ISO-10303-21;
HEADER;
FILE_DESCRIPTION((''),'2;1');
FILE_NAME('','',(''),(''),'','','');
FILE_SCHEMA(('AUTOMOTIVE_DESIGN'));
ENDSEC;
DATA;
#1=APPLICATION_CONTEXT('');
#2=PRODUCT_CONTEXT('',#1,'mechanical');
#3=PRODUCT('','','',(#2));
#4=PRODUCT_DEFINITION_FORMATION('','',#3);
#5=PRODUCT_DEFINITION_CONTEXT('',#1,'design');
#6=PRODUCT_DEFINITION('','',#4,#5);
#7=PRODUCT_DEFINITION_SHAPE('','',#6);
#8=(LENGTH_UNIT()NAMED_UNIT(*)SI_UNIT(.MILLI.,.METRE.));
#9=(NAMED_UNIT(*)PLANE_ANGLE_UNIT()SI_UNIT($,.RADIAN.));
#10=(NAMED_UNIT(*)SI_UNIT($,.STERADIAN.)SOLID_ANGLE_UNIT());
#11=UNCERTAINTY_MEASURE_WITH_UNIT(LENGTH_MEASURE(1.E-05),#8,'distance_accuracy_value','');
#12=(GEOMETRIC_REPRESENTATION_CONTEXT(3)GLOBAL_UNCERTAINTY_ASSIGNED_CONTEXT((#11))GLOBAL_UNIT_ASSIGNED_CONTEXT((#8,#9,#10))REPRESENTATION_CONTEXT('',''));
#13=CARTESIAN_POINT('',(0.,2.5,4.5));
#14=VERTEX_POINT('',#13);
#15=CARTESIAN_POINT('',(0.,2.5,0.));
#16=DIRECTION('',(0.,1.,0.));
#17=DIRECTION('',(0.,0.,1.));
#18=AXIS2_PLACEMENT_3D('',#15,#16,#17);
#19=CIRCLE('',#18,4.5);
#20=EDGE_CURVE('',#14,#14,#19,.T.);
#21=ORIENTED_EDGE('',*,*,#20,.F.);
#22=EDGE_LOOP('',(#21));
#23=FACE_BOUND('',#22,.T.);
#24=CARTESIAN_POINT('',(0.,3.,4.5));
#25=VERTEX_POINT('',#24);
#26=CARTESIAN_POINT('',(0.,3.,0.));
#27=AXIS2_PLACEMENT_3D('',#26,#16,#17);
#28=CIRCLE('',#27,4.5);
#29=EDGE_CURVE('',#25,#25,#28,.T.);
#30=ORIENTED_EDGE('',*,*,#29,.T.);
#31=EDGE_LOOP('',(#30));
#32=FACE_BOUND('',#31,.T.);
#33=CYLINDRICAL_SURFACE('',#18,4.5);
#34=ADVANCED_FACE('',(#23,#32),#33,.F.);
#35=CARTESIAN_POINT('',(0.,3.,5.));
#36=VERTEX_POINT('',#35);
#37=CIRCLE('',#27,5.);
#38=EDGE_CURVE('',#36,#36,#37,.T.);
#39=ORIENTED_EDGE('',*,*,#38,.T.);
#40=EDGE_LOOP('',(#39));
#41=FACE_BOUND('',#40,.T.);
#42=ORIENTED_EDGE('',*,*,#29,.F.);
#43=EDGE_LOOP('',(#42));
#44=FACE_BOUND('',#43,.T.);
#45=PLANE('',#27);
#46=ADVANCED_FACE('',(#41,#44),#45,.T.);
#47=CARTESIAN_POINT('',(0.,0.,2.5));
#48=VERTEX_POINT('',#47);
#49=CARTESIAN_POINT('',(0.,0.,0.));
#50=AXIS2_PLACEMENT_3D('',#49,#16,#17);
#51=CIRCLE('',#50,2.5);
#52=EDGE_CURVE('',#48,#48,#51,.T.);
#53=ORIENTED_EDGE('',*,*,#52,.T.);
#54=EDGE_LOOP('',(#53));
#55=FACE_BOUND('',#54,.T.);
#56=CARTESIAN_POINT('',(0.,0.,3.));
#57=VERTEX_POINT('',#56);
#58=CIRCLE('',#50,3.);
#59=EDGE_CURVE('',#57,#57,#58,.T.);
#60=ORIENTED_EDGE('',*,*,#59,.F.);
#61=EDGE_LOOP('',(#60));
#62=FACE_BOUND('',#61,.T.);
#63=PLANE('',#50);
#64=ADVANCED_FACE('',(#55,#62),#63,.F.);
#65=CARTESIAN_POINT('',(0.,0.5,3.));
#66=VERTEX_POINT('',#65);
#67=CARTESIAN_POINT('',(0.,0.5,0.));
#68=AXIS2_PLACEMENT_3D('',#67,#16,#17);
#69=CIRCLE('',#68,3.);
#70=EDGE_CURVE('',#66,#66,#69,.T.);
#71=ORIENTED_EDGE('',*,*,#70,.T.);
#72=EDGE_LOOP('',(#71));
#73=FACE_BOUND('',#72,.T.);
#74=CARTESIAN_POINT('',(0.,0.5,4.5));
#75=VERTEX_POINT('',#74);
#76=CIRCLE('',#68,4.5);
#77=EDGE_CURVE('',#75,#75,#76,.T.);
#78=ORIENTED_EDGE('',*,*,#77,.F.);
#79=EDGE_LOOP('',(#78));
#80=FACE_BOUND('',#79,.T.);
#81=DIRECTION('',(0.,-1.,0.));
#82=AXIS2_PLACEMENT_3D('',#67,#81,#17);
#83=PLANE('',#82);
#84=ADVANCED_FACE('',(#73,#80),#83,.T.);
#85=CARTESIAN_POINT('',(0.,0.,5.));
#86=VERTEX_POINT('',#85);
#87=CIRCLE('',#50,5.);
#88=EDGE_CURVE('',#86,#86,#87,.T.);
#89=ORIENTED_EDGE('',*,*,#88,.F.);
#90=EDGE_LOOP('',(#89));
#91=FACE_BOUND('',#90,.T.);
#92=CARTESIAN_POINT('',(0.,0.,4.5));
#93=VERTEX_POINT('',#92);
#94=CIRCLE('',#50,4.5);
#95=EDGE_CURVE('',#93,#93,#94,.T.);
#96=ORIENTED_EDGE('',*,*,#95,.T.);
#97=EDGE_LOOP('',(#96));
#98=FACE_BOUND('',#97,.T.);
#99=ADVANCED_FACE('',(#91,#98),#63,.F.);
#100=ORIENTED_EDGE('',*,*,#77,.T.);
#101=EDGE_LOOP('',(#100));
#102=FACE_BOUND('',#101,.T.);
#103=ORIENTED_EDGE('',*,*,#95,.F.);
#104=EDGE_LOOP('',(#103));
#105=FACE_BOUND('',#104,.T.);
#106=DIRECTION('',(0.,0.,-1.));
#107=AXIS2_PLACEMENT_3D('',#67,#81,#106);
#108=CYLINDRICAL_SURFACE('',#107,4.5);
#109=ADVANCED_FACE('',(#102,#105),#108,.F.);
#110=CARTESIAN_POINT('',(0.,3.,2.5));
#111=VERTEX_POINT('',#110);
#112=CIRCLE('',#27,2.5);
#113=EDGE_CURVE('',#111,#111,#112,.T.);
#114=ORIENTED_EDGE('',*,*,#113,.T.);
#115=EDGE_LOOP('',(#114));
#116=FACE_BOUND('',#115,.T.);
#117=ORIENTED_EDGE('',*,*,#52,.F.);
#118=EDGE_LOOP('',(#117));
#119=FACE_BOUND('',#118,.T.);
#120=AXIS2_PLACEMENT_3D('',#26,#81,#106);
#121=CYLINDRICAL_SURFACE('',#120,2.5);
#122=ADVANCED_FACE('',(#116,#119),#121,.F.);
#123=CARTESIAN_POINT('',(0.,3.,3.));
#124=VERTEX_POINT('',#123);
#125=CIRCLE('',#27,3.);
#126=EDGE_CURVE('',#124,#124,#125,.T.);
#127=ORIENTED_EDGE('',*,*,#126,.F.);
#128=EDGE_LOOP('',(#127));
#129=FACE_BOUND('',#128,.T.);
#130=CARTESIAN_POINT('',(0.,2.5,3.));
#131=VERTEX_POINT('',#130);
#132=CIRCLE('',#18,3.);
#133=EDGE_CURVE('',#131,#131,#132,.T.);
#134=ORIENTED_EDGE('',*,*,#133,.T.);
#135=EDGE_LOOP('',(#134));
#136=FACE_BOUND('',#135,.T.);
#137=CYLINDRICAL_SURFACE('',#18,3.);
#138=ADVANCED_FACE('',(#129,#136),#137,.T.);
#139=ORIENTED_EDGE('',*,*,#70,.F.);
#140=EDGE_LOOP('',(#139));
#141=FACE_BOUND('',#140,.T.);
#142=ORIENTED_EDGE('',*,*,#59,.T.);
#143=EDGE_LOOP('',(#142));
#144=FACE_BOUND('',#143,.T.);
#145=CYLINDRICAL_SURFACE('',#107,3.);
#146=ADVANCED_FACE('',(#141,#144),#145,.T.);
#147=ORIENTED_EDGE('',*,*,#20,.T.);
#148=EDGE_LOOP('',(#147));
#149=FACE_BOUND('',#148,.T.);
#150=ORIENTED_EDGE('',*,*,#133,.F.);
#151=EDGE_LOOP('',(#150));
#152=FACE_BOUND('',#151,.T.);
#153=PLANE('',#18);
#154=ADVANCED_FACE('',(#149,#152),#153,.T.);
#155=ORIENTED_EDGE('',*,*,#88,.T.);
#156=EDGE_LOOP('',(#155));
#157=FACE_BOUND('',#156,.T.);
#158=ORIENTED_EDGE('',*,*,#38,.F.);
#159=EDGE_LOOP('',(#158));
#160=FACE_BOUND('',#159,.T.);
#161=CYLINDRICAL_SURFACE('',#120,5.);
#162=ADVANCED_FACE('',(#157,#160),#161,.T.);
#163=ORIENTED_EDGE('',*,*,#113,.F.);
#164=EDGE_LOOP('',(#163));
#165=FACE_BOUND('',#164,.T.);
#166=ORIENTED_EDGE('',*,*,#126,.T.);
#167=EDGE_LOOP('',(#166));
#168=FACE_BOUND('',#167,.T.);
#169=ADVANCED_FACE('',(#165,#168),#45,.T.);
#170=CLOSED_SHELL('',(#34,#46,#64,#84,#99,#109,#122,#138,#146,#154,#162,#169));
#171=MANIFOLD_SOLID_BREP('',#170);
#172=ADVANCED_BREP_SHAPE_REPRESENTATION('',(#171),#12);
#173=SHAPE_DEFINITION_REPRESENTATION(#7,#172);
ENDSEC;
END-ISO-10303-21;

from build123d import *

# Parameters (mm, degrees)
CROQUIS2_R              = 5
CROQUIS2_R_2            = 2.5
SALIENTE_EXTRUIR1_DEPTH = 3
CROQUIS3_R              = 4.5
CROQUIS3_R_2            = 3
CORTAR_EXTRUIR1_DEPTH   = 0.5


with BuildPart() as part:
    # Croquis2 → Saliente-Extruir1 (new body)
    with BuildSketch(Plane(origin=(0, 0, 0), x_dir=(1, 0, 0), z_dir=(0, 1, 0))):
        Circle(CROQUIS2_R)
        Circle(CROQUIS2_R_2, mode=Mode.SUBTRACT)
    extrude(amount=SALIENTE_EXTRUIR1_DEPTH)

    # Croquis3 → Cortar-Extruir1 (cut)
    with BuildSketch(Plane(origin=(0, 3, 0), x_dir=(1, 0, 0), z_dir=(0, 1, 0))):
        Circle(CROQUIS3_R)
        Circle(CROQUIS3_R_2, mode=Mode.SUBTRACT)
    cortar_extruir1 = extrude(amount=-CORTAR_EXTRUIR1_DEPTH, mode=Mode.SUBTRACT)

    # Simetría1: Cortar-Extruir1 across plane
    add(cortar_extruir1.mirror(Plane.ZX.offset(1.5)), mode=Mode.SUBTRACT)


solid = part.part
